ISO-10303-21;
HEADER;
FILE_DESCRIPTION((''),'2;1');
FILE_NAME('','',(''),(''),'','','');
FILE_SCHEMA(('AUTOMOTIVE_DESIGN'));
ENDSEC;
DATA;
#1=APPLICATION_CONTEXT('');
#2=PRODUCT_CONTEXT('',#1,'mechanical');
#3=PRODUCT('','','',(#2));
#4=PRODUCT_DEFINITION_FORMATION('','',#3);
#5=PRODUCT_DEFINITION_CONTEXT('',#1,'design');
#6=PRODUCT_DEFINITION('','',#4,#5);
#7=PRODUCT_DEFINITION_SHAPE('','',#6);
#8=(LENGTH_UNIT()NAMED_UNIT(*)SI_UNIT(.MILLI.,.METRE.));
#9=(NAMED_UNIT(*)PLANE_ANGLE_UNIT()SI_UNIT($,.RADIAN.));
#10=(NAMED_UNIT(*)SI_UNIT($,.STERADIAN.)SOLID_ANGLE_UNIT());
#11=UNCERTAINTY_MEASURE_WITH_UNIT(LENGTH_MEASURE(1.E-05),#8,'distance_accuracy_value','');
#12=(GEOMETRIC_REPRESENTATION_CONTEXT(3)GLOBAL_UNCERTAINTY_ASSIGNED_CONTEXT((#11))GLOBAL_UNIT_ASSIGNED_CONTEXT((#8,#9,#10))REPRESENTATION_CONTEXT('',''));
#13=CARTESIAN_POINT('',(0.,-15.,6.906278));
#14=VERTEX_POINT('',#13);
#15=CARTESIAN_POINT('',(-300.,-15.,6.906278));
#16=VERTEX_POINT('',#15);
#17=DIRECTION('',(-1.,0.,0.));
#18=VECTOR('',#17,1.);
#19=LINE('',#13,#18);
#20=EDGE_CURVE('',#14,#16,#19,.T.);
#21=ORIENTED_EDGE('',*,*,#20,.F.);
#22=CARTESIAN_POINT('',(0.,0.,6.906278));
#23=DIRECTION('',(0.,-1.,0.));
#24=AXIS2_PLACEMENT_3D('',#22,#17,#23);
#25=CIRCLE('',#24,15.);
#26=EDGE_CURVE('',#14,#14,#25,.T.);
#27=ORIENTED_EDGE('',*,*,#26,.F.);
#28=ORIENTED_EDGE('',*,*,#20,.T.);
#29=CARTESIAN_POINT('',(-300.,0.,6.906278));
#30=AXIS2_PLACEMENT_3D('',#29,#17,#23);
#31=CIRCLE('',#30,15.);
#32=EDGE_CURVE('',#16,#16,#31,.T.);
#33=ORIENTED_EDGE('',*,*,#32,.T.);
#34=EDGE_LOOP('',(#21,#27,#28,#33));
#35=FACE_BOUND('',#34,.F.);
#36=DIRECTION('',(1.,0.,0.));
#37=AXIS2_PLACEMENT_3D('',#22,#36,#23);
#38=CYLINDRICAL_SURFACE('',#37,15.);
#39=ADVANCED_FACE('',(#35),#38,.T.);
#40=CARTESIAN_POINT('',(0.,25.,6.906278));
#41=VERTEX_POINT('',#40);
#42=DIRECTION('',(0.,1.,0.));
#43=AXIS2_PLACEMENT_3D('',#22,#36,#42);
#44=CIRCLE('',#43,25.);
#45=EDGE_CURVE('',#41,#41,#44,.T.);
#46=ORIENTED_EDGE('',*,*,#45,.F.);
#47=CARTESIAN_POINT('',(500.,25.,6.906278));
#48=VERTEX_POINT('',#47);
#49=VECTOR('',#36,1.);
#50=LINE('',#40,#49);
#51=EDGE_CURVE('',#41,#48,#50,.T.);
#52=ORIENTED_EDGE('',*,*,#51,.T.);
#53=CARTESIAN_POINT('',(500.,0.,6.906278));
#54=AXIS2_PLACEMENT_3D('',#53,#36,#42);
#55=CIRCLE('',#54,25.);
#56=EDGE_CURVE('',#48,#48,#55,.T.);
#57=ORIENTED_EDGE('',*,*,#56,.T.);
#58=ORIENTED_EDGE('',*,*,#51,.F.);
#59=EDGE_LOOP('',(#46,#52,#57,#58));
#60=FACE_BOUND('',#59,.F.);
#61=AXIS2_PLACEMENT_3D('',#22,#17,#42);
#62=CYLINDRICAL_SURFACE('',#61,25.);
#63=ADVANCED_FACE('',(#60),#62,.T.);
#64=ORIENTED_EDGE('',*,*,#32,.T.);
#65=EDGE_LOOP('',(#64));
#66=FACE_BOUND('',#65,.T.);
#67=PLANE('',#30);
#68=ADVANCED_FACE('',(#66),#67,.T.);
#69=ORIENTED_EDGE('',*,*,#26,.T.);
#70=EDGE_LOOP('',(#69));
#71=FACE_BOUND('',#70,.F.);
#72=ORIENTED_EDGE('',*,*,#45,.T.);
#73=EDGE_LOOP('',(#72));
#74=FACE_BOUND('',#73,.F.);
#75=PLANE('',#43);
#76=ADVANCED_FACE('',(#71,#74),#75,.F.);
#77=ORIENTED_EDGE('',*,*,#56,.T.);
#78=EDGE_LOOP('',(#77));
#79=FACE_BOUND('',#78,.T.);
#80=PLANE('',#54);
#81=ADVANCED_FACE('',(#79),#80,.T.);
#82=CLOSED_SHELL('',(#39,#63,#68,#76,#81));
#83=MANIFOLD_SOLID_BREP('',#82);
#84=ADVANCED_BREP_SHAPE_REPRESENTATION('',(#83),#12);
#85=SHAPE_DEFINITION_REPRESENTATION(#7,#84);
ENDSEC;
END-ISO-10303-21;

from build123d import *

# Parameters (mm, degrees)
F0_R     = 25
F1_DEPTH = 500
F2_R     = 15
F3_DEPTH = 300


with BuildPart() as f1:
    # F0 (on Right) → F1 (new body)
    with BuildSketch(Plane.YZ):
        with Locations((0, 6.906278)):
            Circle(F0_R)
    extrude(amount=F1_DEPTH)

    # F2 (on face) → F3 (join)
    with BuildSketch(Plane(origin=(0, 0, 0), x_dir=(0, -1, 0), z_dir=(-1, 0, 0))):
        with Locations((0, 6.906278)):
            Circle(F2_R)
    extrude(amount=F3_DEPTH)


solid = f1.part
